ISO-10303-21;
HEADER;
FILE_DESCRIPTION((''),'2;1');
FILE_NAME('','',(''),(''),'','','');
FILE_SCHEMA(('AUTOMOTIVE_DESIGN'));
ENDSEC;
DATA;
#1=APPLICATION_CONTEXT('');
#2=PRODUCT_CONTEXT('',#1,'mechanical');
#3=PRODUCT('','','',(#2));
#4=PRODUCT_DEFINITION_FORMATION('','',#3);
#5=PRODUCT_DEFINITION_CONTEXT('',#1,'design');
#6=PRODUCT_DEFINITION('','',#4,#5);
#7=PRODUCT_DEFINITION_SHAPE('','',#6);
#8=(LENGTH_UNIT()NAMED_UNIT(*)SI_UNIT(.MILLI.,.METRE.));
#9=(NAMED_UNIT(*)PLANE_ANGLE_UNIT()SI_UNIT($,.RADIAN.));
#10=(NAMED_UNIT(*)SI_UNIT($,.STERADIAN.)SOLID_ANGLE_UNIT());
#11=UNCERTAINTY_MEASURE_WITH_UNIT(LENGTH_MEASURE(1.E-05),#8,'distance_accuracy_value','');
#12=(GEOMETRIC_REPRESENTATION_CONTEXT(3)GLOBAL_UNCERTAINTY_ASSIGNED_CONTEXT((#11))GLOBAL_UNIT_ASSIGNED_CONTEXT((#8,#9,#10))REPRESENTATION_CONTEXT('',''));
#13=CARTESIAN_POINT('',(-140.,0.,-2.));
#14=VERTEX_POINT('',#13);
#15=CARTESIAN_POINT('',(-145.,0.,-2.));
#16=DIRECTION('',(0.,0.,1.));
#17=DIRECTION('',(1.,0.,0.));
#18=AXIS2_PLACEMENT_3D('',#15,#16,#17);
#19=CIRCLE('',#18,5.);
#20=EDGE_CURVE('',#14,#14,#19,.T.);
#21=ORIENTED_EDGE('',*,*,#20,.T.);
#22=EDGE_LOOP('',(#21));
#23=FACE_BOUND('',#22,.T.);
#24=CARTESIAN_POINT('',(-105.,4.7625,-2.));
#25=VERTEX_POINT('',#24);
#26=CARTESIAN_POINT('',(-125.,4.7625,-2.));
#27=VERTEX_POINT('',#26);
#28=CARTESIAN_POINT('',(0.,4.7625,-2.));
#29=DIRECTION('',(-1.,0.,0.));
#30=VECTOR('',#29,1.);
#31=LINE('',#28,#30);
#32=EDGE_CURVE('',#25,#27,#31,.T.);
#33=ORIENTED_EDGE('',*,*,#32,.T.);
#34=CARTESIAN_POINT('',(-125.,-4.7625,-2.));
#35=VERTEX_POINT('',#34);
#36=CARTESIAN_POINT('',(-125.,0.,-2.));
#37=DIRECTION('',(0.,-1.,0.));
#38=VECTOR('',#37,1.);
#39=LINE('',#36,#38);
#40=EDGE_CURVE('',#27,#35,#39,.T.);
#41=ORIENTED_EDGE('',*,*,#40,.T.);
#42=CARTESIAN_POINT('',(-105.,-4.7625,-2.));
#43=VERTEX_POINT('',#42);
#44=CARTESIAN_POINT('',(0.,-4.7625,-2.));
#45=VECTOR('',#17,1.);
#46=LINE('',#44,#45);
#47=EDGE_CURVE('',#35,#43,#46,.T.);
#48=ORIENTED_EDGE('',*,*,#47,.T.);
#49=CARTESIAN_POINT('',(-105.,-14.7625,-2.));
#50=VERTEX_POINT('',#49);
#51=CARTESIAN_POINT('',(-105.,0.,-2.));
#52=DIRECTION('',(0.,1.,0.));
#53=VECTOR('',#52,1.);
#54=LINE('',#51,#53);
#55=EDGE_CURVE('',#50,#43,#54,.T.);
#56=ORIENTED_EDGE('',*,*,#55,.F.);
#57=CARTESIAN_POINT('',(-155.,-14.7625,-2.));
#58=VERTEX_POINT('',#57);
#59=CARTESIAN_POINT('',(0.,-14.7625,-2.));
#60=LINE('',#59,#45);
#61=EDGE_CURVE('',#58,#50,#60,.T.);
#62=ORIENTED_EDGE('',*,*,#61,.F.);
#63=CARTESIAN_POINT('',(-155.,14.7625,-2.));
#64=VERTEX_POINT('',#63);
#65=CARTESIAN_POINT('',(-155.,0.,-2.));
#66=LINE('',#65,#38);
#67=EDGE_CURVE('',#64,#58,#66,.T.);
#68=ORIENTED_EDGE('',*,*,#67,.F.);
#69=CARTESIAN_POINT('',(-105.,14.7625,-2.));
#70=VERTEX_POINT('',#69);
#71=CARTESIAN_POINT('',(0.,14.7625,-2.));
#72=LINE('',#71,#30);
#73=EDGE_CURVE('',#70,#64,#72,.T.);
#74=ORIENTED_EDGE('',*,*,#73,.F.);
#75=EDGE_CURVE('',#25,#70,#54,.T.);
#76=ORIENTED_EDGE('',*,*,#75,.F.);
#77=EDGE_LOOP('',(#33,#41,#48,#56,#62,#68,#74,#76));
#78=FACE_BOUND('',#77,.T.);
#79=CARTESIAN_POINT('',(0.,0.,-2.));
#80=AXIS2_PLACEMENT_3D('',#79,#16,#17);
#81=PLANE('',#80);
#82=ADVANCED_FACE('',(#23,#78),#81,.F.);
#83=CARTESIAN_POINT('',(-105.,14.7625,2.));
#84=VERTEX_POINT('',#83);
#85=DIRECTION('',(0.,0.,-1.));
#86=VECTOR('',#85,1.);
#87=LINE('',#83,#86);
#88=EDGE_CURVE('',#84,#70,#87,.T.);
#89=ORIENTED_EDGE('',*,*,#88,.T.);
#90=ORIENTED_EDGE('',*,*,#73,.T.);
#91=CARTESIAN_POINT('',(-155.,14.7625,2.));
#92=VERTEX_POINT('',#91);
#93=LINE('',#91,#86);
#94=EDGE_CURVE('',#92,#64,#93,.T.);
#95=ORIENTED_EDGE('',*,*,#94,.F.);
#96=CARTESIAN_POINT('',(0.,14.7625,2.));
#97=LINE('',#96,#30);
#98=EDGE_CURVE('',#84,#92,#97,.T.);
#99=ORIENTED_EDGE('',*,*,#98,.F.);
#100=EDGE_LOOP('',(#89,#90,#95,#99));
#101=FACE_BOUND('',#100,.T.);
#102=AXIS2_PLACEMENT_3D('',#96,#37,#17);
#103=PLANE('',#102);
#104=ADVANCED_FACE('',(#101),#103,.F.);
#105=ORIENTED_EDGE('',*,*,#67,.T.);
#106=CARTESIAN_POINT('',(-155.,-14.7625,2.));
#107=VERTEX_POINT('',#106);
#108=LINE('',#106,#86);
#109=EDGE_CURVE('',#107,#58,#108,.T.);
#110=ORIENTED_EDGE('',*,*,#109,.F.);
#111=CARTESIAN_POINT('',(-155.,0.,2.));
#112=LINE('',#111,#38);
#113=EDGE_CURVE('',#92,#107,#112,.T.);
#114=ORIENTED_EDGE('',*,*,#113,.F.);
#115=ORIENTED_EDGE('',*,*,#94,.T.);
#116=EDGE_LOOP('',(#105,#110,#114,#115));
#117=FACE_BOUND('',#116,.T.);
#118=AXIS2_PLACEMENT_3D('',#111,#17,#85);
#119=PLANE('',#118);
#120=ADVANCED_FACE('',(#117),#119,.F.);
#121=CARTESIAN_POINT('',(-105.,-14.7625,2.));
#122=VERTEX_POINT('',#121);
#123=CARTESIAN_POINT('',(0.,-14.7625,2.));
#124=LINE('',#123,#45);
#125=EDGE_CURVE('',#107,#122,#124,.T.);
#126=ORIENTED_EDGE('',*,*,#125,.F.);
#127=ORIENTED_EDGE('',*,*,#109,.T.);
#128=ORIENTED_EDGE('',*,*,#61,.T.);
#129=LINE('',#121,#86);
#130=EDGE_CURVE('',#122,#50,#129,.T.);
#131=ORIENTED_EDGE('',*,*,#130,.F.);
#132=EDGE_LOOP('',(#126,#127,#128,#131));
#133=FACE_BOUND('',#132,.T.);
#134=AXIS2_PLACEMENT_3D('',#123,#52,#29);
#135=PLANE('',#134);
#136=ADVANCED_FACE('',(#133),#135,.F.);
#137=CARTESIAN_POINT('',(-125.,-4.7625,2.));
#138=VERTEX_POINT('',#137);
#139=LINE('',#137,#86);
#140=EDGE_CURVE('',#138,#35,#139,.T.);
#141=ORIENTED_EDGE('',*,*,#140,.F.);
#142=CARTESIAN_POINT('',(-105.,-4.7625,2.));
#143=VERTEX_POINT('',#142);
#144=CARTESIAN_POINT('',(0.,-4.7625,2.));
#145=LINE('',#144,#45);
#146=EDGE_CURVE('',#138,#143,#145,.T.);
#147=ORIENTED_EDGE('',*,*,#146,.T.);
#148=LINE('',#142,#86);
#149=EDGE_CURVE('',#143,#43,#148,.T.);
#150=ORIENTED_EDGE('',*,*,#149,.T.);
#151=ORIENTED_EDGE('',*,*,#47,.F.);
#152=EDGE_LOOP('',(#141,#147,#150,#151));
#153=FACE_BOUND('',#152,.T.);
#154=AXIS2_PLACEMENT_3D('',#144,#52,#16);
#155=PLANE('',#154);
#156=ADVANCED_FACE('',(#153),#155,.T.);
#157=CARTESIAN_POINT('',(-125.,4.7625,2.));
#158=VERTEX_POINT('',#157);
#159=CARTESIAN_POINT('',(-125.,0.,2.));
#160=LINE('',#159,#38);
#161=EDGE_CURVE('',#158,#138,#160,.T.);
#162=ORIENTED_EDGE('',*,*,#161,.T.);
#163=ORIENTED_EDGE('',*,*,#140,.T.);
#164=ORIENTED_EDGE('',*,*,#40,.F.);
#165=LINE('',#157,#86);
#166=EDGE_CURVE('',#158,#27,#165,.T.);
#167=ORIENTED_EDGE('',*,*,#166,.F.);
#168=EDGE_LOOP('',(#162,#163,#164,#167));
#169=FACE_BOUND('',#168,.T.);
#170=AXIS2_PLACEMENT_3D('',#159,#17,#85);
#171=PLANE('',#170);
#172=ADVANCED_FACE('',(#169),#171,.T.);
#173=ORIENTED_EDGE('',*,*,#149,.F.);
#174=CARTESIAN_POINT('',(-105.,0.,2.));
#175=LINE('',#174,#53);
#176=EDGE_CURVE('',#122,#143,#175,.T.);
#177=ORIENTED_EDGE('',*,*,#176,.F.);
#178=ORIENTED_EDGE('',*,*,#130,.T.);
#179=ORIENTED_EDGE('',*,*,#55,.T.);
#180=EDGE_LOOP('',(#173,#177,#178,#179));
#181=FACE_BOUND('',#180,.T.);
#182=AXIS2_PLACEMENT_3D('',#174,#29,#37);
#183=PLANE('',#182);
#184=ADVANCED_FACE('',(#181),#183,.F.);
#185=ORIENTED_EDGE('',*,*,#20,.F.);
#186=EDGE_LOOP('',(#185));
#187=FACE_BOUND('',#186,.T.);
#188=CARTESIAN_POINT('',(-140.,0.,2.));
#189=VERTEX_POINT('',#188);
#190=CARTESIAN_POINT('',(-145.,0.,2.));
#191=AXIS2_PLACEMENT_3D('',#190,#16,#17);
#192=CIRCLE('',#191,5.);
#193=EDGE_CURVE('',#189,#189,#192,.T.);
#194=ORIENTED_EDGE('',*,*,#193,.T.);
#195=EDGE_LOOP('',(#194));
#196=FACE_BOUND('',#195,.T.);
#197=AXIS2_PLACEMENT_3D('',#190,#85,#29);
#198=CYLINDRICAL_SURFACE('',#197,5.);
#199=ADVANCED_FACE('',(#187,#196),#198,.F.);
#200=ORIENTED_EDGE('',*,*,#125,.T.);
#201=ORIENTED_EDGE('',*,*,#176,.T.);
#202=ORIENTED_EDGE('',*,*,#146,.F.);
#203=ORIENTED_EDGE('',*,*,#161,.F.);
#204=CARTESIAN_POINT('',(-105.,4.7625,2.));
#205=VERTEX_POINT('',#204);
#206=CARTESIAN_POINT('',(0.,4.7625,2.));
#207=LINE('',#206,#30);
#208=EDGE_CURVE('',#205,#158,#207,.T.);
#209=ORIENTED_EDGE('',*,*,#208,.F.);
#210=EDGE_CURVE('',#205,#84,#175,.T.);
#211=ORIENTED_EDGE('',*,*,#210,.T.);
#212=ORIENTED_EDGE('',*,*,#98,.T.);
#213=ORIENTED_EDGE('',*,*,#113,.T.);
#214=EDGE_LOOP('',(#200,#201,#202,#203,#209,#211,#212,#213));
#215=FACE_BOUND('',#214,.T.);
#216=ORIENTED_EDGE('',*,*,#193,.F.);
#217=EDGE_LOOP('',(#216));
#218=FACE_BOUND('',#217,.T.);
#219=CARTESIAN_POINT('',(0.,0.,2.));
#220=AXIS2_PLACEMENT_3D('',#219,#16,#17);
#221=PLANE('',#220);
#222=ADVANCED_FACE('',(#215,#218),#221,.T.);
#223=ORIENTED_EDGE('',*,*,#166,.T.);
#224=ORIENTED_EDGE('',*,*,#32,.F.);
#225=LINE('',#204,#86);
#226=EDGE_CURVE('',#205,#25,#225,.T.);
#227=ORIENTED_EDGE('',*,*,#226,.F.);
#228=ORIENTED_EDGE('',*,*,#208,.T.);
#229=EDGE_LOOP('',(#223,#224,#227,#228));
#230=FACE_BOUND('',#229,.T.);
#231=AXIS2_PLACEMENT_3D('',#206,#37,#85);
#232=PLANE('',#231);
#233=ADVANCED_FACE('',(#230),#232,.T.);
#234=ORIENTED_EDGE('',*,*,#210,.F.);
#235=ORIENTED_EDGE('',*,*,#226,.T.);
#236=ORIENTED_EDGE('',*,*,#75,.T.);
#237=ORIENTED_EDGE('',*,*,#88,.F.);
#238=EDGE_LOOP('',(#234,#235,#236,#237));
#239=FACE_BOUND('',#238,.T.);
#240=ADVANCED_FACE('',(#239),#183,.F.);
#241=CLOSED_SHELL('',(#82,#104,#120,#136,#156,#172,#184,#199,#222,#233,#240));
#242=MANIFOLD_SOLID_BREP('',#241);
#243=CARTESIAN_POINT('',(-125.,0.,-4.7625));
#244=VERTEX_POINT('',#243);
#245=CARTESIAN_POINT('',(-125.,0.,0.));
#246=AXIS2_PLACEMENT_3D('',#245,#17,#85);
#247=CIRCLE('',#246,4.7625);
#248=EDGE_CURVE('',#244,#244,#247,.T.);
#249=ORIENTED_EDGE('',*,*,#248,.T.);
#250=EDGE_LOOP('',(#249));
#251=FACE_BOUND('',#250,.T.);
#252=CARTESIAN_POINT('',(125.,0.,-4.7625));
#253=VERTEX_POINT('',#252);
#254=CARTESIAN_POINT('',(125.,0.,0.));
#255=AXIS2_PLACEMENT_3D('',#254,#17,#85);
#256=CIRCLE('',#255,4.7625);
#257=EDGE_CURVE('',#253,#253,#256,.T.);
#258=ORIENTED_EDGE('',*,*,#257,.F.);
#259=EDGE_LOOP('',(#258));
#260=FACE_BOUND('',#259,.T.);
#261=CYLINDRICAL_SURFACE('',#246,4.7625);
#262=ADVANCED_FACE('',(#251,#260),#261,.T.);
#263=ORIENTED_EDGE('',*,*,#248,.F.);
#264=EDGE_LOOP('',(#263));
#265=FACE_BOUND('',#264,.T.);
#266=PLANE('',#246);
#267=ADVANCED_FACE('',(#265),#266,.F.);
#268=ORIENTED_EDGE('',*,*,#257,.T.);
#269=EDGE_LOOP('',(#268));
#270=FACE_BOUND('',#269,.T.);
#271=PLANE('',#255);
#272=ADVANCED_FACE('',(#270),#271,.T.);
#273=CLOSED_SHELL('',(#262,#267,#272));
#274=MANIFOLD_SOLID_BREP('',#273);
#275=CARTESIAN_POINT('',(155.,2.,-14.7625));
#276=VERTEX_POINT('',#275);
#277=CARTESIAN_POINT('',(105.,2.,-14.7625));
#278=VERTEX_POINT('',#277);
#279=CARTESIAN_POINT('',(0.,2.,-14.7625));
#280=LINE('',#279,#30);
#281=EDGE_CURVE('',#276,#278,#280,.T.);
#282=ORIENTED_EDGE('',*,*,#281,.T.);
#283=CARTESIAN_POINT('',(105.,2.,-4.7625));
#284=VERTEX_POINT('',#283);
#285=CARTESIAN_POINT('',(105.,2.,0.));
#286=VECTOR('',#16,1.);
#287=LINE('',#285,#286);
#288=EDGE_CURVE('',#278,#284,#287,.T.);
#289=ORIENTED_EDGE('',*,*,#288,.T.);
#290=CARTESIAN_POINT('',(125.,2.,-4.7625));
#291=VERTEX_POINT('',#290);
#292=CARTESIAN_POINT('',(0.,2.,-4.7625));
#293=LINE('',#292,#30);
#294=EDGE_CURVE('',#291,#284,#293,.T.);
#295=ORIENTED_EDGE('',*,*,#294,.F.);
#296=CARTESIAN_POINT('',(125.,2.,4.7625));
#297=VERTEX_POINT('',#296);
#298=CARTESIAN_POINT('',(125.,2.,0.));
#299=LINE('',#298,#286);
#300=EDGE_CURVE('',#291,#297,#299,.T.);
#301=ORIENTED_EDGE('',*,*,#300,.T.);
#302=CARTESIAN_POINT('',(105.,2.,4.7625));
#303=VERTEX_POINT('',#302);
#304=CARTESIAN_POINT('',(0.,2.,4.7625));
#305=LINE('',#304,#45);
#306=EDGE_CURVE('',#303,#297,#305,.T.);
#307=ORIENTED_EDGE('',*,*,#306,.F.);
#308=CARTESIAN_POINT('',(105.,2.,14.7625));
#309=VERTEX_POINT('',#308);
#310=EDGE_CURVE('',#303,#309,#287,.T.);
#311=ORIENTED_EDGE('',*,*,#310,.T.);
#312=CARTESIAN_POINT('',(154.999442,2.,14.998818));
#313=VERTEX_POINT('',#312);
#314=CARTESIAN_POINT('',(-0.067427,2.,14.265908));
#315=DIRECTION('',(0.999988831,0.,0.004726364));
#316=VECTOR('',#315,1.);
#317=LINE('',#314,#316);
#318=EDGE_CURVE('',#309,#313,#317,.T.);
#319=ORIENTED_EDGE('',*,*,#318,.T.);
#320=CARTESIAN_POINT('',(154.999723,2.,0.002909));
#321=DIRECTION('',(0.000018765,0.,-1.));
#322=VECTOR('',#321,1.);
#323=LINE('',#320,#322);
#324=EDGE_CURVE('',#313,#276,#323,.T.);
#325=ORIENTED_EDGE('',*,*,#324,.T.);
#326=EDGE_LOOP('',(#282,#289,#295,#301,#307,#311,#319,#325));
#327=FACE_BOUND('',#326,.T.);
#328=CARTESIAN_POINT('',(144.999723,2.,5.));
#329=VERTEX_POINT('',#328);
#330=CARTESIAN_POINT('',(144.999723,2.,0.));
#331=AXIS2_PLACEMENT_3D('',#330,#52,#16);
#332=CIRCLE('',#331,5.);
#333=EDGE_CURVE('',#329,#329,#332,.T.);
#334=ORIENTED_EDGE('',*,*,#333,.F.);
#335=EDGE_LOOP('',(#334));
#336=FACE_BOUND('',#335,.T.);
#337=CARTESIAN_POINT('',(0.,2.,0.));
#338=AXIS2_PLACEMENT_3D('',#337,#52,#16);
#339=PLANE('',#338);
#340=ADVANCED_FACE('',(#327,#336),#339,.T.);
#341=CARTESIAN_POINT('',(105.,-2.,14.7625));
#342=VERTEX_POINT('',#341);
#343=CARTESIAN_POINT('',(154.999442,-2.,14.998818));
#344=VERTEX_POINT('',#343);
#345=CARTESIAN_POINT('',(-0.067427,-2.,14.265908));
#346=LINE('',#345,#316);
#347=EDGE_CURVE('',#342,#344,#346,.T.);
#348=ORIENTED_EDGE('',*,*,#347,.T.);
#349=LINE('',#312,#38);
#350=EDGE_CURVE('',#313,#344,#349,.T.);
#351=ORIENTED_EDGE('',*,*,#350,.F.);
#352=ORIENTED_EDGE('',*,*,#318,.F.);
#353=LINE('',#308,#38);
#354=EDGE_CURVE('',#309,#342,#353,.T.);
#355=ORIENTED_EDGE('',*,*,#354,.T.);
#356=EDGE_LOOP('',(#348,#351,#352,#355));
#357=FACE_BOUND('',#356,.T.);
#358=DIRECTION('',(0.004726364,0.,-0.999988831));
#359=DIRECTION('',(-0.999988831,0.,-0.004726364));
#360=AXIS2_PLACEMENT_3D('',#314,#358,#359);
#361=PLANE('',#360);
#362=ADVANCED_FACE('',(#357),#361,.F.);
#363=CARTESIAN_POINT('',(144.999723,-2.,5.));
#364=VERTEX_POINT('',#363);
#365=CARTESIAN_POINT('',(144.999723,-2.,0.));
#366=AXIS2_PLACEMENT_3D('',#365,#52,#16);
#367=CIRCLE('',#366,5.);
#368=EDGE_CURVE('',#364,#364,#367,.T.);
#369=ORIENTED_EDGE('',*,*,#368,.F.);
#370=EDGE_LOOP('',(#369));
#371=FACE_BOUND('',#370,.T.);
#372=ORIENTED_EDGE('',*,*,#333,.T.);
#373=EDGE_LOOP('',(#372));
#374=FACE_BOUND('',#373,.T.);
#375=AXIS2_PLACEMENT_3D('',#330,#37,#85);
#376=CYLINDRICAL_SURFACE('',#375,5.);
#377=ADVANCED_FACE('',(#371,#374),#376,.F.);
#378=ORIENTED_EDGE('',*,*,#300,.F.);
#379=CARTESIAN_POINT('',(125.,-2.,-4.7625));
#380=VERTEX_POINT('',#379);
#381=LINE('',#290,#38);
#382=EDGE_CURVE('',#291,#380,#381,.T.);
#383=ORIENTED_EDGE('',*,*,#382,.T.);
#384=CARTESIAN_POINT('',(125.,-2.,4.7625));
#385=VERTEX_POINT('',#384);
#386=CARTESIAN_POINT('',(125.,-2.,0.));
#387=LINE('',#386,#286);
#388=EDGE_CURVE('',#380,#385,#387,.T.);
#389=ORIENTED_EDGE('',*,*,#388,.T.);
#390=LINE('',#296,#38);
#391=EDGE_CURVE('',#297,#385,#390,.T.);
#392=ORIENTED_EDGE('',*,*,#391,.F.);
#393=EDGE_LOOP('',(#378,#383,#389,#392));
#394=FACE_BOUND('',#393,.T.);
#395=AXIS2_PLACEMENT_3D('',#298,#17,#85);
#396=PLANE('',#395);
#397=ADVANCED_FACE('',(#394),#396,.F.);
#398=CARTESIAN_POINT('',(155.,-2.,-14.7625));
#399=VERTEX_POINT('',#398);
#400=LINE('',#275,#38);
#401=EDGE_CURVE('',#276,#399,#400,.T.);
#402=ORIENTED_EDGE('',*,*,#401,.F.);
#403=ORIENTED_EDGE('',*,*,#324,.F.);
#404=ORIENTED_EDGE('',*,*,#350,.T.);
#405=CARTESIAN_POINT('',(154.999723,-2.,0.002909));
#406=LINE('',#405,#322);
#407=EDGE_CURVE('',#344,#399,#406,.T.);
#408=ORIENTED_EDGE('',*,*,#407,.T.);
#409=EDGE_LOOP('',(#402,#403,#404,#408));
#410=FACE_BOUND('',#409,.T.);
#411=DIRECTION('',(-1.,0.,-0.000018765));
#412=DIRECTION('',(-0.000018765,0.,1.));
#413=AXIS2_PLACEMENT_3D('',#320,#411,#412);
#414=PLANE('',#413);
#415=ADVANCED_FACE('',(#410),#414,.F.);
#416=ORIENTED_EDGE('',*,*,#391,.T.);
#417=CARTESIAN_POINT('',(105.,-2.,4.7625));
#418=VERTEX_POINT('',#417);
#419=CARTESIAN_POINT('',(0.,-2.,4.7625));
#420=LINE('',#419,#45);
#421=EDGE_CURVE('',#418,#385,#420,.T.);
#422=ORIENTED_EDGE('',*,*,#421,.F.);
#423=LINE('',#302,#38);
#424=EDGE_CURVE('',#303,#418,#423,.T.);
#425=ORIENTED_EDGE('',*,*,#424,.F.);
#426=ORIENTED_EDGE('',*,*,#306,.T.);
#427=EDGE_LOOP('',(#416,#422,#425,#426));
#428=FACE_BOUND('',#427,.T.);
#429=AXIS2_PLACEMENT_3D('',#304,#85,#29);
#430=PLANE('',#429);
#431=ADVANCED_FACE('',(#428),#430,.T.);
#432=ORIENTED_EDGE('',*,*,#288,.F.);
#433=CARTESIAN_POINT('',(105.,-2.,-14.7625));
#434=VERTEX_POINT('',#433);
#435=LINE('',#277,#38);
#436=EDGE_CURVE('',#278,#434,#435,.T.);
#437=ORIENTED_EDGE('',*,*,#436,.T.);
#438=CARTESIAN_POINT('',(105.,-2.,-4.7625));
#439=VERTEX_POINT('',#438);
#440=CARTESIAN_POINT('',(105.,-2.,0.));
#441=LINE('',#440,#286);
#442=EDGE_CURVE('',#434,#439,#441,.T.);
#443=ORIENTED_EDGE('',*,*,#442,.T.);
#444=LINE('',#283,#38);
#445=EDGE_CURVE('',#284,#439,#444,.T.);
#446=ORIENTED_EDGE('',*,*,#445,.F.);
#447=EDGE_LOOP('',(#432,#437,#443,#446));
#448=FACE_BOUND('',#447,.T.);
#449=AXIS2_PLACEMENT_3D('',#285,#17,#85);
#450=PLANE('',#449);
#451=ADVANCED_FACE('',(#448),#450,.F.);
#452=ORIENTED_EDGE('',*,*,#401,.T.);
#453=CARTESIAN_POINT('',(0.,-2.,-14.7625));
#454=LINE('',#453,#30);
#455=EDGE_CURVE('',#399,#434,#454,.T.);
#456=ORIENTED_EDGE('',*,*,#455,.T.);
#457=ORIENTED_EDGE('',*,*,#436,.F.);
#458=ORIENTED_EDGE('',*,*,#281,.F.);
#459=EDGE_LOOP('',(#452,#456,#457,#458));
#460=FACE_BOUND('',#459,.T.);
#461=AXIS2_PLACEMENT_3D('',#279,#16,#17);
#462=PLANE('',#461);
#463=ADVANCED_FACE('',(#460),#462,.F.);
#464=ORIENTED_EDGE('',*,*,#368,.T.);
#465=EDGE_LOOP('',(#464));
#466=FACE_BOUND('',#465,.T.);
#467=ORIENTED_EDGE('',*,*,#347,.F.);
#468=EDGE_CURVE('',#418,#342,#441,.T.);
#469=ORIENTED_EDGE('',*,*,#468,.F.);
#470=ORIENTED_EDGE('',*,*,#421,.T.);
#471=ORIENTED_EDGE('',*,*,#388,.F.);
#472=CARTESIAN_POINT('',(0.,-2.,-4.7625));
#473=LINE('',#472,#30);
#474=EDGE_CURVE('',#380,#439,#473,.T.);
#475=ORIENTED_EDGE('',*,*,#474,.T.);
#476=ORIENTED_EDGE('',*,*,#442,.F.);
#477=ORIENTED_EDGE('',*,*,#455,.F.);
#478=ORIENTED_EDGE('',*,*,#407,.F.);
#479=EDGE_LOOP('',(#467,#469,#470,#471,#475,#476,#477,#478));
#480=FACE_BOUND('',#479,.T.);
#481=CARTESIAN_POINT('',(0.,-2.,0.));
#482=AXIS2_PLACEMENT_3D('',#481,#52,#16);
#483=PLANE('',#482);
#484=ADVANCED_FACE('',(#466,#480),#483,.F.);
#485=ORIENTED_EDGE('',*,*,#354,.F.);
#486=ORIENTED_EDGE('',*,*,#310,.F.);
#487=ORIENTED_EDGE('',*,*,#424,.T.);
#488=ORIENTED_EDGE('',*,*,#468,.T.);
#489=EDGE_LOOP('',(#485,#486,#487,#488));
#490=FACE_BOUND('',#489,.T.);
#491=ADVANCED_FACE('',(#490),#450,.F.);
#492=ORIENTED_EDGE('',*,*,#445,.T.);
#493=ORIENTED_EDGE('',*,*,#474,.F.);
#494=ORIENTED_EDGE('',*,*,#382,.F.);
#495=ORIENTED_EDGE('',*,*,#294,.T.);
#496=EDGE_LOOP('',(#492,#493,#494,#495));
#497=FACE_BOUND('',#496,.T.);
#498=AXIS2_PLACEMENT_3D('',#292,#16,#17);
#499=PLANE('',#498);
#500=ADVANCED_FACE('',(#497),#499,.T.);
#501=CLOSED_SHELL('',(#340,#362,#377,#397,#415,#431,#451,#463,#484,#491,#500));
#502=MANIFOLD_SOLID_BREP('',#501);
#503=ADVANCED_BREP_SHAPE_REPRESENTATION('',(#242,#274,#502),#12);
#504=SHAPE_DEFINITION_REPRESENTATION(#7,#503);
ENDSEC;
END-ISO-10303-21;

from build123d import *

# Parameters (mm, degrees)
SWEEP1_PROFILE_R    = 4.7625
SKETCH18_R          = 5
BOSS_EXTRUDE4_DEPTH = 2
SKETCH19_R          = 5
BOSS_EXTRUDE6_DEPTH = 2


with BuildPart() as part:
    # Sweep1: sweep along a path in Sketch1
    with BuildLine(Plane(origin=(0, 0, 0), x_dir=(1, 0, 0), z_dir=(0, 1, 0))) as sweep1_path:
        Line((-125, 0), (125, 0))
    # Sweep1 profile (on start of the path) → Sweep1 (sweep)
    with BuildSketch(Plane(origin=(-125, 0, 0), x_dir=(0, 0, 1), z_dir=(1, 0, 0))):
        Circle(SWEEP1_PROFILE_R)
    sweep(path=sweep1_path.line)


with BuildPart() as body_2:
    # Sketch18 → Boss-Extrude4 (new, symmetric)
    with BuildSketch(Plane.XY):
        Polygon((-125, -4.7625), (-125, 4.7625), (-105, 4.7625), (-105, 14.7625), (-155, 14.7625), (-155, -14.7625), (-105, -14.7625), (-105, -4.7625), align=None)
        with Locations((-145, 0)):
            Circle(SKETCH18_R, mode=Mode.SUBTRACT)
    extrude(amount=BOSS_EXTRUDE4_DEPTH, both=True)


with BuildPart() as body_3:
    # Sketch19 → Boss-Extrude6 (new, symmetric)
    with BuildSketch(Plane(origin=(0, 0, 0), x_dir=(1, 0, 0), z_dir=(0, 1, 0))):
        Polygon((125, -4.7625), (105, -4.7625), (105, -14.7625), (154.999441534, -14.998818204), (155, 14.7625), (105, 14.7625), (105, 4.7625), (125, 4.7625), align=None)
        with Locations(Location((144.999722982, 0, 0), (0, 0, 270))):
            Circle(SKETCH19_R, mode=Mode.SUBTRACT)
    extrude(amount=BOSS_EXTRUDE6_DEPTH, both=True)


solid = Compound([part.part, body_2.part, body_3.part])
